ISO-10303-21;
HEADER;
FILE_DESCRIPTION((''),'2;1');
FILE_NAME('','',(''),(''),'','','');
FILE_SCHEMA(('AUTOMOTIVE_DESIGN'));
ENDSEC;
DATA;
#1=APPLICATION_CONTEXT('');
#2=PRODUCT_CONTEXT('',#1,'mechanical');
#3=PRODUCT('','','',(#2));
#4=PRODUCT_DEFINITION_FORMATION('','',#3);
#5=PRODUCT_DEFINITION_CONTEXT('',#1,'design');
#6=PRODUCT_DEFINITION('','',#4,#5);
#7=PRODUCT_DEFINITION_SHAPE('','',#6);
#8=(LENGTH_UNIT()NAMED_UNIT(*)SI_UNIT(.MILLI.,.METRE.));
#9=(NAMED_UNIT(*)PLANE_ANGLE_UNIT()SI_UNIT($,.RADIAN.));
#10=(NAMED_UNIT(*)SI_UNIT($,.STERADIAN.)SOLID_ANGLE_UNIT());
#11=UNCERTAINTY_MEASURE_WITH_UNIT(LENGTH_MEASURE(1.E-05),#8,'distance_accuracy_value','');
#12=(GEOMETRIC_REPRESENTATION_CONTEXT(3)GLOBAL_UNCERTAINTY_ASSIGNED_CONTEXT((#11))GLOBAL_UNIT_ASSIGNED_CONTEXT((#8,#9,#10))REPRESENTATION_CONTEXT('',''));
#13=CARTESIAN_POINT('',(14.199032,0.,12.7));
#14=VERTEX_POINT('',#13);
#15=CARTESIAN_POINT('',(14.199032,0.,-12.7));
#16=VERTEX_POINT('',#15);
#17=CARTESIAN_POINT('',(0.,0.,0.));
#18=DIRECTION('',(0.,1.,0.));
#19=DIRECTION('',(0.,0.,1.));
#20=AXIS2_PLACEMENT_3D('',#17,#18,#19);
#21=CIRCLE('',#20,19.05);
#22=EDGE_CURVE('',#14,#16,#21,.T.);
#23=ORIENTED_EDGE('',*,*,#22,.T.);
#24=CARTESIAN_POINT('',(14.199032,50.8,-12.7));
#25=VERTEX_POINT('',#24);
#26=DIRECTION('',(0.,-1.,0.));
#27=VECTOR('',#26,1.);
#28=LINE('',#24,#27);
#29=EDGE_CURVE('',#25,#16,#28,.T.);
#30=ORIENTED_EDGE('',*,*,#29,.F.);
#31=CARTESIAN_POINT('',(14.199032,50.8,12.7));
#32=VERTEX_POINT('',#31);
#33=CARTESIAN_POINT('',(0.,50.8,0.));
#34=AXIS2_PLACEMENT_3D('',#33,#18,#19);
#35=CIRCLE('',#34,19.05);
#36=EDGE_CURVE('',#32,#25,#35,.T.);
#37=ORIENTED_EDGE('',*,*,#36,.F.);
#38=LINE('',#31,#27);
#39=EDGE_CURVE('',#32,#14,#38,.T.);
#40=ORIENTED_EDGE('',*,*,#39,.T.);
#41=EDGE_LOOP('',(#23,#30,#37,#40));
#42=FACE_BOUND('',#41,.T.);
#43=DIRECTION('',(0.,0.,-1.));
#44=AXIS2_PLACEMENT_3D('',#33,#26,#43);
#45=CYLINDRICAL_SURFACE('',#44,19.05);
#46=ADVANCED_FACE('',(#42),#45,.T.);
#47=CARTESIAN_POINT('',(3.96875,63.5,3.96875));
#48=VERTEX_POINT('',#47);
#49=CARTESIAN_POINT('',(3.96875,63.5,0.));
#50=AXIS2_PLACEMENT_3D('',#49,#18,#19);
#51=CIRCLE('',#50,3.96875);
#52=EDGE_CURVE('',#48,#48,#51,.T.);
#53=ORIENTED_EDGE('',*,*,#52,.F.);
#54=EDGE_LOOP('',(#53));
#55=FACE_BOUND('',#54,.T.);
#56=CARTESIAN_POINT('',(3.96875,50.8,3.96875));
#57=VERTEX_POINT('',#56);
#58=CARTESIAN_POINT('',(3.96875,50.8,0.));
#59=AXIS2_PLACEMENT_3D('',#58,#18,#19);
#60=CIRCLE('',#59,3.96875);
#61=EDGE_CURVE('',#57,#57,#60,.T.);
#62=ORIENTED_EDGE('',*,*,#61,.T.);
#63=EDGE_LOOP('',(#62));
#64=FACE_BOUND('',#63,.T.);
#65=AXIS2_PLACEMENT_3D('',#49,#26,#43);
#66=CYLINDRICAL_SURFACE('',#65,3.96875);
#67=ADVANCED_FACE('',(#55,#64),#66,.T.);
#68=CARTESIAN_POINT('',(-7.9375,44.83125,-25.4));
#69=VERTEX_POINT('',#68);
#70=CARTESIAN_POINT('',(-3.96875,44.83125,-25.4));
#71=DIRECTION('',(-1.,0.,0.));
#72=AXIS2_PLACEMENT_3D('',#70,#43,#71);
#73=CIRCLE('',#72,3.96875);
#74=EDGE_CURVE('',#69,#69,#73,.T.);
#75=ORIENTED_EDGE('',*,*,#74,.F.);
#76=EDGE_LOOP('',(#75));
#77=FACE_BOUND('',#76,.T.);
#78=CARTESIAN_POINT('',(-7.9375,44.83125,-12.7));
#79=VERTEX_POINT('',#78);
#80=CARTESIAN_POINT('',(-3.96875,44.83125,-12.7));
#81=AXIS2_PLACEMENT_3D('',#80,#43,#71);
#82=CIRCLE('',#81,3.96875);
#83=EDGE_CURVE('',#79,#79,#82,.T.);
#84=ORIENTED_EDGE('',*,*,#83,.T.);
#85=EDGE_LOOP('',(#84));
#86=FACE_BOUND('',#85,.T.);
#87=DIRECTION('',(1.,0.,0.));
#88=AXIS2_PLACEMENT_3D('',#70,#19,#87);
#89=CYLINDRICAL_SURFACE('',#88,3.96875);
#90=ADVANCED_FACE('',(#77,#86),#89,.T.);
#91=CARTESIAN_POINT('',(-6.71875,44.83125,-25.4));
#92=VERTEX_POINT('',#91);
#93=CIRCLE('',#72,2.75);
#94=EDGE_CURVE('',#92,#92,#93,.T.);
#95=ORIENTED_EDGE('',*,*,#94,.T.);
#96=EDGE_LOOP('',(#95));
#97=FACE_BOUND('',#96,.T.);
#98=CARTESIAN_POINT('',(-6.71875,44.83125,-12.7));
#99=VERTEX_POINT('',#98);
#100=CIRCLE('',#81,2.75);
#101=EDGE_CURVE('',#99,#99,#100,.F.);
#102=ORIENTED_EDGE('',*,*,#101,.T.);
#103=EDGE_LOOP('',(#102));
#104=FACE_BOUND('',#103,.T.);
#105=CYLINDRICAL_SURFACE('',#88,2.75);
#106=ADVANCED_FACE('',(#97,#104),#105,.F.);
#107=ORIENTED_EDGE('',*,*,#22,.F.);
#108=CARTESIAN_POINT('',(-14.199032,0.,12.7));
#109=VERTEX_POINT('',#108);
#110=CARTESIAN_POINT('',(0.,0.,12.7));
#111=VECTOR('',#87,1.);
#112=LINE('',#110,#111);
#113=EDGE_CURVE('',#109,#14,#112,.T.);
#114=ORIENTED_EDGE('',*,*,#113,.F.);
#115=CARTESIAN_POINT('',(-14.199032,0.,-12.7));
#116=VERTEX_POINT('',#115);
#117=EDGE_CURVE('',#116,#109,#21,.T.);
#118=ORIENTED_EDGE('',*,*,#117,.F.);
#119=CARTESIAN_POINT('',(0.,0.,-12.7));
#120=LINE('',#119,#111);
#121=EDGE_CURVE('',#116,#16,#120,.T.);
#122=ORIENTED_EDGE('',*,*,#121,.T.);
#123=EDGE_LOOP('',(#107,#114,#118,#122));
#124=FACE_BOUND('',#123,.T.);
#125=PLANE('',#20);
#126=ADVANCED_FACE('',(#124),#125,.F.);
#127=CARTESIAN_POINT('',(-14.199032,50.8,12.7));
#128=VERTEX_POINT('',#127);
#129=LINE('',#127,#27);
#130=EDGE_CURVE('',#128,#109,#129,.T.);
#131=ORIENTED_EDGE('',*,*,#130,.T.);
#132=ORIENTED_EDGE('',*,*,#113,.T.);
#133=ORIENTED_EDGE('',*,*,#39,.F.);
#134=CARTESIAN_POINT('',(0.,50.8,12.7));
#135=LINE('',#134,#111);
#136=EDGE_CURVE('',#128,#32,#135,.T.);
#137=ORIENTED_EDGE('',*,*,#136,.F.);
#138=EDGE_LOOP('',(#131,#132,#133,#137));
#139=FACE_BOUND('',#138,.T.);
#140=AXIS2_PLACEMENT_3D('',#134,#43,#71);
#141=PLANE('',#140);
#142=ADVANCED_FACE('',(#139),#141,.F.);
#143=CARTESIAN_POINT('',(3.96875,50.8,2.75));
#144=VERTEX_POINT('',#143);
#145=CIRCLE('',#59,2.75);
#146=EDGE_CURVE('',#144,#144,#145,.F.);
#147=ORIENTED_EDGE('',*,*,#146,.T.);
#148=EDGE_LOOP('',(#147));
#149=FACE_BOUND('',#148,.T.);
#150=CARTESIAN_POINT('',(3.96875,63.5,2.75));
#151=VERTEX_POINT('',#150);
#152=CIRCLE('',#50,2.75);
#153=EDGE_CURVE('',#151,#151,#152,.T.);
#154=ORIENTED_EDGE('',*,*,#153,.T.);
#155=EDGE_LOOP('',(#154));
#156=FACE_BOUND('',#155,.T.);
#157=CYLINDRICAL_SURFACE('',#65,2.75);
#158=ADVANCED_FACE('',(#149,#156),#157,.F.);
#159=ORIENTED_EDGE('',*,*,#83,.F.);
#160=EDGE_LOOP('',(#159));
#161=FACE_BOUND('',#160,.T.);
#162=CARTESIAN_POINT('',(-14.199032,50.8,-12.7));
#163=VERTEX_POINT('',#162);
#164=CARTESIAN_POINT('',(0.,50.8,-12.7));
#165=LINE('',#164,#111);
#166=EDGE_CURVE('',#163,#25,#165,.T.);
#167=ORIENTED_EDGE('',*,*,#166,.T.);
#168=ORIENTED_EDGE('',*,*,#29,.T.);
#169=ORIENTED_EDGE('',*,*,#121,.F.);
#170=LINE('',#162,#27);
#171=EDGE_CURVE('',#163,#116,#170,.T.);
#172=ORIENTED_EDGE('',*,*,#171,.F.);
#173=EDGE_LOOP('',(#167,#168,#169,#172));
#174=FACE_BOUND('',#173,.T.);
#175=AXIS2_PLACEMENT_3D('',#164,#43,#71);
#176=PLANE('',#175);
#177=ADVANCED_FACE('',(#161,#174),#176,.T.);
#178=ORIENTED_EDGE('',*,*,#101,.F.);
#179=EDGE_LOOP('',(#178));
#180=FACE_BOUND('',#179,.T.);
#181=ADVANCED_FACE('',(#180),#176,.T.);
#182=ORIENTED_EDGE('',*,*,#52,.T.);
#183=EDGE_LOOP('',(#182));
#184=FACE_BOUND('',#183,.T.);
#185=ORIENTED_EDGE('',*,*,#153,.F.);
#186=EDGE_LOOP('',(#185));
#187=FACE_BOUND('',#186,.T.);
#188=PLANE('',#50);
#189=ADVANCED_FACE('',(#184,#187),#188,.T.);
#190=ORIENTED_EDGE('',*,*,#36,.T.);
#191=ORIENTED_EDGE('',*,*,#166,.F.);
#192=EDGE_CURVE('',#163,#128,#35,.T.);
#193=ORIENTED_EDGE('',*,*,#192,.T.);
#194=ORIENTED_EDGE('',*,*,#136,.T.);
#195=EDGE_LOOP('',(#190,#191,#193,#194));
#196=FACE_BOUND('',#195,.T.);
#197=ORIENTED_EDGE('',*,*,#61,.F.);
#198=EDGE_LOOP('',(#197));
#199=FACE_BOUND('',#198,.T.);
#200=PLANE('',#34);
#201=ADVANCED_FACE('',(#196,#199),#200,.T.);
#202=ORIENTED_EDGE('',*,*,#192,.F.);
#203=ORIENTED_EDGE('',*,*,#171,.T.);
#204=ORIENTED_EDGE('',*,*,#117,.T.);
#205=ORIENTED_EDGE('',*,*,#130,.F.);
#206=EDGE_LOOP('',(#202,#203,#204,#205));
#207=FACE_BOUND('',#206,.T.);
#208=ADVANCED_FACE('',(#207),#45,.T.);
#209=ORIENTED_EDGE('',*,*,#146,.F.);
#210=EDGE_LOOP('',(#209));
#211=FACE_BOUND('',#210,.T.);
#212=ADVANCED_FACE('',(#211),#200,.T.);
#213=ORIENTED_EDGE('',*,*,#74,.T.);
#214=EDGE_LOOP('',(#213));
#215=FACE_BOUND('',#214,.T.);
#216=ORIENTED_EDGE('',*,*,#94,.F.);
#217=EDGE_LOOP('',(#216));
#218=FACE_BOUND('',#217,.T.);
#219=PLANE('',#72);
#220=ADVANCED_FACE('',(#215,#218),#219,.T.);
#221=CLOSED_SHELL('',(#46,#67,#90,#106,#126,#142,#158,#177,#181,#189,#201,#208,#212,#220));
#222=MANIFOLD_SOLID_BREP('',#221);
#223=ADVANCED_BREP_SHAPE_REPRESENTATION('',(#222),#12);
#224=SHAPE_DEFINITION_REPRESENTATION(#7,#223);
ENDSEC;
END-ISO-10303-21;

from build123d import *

# Parameters (mm, degrees)
BOSS_EXTRUDE2_DEPTH = 50.8
SKETCH2_R           = 3.96875
SKETCH2_R_2         = 2.75
BOSS_EXTRUDE3_DEPTH = 12.7
SKETCH3_R           = 3.96875
SKETCH3_R_2         = 2.75
BOSS_EXTRUDE4_DEPTH = 12.7


with BuildPart() as part:
    # Sketch1 → Boss-Extrude2 (new body)
    with BuildSketch(Plane(origin=(0, 0, 0), x_dir=(1, 0, 0), z_dir=(0, 1, 0))):
        with BuildLine():
            Line((14.199031657, 12.7), (-14.199031657, 12.7))
            ThreePointArc((-14.199031657, 12.7), (-19.05, 0), (-14.199031657, -12.7))
            Line((-14.199031657, -12.7), (14.199031657, -12.7))
            ThreePointArc((14.199031657, -12.7), (17.795983438, -6.79746081), (19.05, 0))
            ThreePointArc((19.05, 0), (17.795983438, 6.79746081), (14.199031657, 12.7))
        make_face()
    extrude(amount=BOSS_EXTRUDE2_DEPTH)

    # Sketch2 → Boss-Extrude3 (add)
    with BuildSketch(Plane(origin=(0, 50.8, 0), x_dir=(1, 0, 0), z_dir=(0, 1, 0))):
        with Locations((3.96875, 0)):
            Circle(SKETCH2_R)
        with Locations((3.96875, 0)):
            Circle(SKETCH2_R_2, mode=Mode.SUBTRACT)
    extrude(amount=BOSS_EXTRUDE3_DEPTH)

    # Sketch3 → Boss-Extrude4 (add)
    with BuildSketch(Plane(origin=(0, 0, -12.7), x_dir=(-1, 0, 0), z_dir=(0, 0, -1))):
        with Locations((3.96875, 44.83125)):
            Circle(SKETCH3_R)
        with Locations((3.96875, 44.83125)):
            Circle(SKETCH3_R_2, mode=Mode.SUBTRACT)
    extrude(amount=BOSS_EXTRUDE4_DEPTH)


solid = part.part
